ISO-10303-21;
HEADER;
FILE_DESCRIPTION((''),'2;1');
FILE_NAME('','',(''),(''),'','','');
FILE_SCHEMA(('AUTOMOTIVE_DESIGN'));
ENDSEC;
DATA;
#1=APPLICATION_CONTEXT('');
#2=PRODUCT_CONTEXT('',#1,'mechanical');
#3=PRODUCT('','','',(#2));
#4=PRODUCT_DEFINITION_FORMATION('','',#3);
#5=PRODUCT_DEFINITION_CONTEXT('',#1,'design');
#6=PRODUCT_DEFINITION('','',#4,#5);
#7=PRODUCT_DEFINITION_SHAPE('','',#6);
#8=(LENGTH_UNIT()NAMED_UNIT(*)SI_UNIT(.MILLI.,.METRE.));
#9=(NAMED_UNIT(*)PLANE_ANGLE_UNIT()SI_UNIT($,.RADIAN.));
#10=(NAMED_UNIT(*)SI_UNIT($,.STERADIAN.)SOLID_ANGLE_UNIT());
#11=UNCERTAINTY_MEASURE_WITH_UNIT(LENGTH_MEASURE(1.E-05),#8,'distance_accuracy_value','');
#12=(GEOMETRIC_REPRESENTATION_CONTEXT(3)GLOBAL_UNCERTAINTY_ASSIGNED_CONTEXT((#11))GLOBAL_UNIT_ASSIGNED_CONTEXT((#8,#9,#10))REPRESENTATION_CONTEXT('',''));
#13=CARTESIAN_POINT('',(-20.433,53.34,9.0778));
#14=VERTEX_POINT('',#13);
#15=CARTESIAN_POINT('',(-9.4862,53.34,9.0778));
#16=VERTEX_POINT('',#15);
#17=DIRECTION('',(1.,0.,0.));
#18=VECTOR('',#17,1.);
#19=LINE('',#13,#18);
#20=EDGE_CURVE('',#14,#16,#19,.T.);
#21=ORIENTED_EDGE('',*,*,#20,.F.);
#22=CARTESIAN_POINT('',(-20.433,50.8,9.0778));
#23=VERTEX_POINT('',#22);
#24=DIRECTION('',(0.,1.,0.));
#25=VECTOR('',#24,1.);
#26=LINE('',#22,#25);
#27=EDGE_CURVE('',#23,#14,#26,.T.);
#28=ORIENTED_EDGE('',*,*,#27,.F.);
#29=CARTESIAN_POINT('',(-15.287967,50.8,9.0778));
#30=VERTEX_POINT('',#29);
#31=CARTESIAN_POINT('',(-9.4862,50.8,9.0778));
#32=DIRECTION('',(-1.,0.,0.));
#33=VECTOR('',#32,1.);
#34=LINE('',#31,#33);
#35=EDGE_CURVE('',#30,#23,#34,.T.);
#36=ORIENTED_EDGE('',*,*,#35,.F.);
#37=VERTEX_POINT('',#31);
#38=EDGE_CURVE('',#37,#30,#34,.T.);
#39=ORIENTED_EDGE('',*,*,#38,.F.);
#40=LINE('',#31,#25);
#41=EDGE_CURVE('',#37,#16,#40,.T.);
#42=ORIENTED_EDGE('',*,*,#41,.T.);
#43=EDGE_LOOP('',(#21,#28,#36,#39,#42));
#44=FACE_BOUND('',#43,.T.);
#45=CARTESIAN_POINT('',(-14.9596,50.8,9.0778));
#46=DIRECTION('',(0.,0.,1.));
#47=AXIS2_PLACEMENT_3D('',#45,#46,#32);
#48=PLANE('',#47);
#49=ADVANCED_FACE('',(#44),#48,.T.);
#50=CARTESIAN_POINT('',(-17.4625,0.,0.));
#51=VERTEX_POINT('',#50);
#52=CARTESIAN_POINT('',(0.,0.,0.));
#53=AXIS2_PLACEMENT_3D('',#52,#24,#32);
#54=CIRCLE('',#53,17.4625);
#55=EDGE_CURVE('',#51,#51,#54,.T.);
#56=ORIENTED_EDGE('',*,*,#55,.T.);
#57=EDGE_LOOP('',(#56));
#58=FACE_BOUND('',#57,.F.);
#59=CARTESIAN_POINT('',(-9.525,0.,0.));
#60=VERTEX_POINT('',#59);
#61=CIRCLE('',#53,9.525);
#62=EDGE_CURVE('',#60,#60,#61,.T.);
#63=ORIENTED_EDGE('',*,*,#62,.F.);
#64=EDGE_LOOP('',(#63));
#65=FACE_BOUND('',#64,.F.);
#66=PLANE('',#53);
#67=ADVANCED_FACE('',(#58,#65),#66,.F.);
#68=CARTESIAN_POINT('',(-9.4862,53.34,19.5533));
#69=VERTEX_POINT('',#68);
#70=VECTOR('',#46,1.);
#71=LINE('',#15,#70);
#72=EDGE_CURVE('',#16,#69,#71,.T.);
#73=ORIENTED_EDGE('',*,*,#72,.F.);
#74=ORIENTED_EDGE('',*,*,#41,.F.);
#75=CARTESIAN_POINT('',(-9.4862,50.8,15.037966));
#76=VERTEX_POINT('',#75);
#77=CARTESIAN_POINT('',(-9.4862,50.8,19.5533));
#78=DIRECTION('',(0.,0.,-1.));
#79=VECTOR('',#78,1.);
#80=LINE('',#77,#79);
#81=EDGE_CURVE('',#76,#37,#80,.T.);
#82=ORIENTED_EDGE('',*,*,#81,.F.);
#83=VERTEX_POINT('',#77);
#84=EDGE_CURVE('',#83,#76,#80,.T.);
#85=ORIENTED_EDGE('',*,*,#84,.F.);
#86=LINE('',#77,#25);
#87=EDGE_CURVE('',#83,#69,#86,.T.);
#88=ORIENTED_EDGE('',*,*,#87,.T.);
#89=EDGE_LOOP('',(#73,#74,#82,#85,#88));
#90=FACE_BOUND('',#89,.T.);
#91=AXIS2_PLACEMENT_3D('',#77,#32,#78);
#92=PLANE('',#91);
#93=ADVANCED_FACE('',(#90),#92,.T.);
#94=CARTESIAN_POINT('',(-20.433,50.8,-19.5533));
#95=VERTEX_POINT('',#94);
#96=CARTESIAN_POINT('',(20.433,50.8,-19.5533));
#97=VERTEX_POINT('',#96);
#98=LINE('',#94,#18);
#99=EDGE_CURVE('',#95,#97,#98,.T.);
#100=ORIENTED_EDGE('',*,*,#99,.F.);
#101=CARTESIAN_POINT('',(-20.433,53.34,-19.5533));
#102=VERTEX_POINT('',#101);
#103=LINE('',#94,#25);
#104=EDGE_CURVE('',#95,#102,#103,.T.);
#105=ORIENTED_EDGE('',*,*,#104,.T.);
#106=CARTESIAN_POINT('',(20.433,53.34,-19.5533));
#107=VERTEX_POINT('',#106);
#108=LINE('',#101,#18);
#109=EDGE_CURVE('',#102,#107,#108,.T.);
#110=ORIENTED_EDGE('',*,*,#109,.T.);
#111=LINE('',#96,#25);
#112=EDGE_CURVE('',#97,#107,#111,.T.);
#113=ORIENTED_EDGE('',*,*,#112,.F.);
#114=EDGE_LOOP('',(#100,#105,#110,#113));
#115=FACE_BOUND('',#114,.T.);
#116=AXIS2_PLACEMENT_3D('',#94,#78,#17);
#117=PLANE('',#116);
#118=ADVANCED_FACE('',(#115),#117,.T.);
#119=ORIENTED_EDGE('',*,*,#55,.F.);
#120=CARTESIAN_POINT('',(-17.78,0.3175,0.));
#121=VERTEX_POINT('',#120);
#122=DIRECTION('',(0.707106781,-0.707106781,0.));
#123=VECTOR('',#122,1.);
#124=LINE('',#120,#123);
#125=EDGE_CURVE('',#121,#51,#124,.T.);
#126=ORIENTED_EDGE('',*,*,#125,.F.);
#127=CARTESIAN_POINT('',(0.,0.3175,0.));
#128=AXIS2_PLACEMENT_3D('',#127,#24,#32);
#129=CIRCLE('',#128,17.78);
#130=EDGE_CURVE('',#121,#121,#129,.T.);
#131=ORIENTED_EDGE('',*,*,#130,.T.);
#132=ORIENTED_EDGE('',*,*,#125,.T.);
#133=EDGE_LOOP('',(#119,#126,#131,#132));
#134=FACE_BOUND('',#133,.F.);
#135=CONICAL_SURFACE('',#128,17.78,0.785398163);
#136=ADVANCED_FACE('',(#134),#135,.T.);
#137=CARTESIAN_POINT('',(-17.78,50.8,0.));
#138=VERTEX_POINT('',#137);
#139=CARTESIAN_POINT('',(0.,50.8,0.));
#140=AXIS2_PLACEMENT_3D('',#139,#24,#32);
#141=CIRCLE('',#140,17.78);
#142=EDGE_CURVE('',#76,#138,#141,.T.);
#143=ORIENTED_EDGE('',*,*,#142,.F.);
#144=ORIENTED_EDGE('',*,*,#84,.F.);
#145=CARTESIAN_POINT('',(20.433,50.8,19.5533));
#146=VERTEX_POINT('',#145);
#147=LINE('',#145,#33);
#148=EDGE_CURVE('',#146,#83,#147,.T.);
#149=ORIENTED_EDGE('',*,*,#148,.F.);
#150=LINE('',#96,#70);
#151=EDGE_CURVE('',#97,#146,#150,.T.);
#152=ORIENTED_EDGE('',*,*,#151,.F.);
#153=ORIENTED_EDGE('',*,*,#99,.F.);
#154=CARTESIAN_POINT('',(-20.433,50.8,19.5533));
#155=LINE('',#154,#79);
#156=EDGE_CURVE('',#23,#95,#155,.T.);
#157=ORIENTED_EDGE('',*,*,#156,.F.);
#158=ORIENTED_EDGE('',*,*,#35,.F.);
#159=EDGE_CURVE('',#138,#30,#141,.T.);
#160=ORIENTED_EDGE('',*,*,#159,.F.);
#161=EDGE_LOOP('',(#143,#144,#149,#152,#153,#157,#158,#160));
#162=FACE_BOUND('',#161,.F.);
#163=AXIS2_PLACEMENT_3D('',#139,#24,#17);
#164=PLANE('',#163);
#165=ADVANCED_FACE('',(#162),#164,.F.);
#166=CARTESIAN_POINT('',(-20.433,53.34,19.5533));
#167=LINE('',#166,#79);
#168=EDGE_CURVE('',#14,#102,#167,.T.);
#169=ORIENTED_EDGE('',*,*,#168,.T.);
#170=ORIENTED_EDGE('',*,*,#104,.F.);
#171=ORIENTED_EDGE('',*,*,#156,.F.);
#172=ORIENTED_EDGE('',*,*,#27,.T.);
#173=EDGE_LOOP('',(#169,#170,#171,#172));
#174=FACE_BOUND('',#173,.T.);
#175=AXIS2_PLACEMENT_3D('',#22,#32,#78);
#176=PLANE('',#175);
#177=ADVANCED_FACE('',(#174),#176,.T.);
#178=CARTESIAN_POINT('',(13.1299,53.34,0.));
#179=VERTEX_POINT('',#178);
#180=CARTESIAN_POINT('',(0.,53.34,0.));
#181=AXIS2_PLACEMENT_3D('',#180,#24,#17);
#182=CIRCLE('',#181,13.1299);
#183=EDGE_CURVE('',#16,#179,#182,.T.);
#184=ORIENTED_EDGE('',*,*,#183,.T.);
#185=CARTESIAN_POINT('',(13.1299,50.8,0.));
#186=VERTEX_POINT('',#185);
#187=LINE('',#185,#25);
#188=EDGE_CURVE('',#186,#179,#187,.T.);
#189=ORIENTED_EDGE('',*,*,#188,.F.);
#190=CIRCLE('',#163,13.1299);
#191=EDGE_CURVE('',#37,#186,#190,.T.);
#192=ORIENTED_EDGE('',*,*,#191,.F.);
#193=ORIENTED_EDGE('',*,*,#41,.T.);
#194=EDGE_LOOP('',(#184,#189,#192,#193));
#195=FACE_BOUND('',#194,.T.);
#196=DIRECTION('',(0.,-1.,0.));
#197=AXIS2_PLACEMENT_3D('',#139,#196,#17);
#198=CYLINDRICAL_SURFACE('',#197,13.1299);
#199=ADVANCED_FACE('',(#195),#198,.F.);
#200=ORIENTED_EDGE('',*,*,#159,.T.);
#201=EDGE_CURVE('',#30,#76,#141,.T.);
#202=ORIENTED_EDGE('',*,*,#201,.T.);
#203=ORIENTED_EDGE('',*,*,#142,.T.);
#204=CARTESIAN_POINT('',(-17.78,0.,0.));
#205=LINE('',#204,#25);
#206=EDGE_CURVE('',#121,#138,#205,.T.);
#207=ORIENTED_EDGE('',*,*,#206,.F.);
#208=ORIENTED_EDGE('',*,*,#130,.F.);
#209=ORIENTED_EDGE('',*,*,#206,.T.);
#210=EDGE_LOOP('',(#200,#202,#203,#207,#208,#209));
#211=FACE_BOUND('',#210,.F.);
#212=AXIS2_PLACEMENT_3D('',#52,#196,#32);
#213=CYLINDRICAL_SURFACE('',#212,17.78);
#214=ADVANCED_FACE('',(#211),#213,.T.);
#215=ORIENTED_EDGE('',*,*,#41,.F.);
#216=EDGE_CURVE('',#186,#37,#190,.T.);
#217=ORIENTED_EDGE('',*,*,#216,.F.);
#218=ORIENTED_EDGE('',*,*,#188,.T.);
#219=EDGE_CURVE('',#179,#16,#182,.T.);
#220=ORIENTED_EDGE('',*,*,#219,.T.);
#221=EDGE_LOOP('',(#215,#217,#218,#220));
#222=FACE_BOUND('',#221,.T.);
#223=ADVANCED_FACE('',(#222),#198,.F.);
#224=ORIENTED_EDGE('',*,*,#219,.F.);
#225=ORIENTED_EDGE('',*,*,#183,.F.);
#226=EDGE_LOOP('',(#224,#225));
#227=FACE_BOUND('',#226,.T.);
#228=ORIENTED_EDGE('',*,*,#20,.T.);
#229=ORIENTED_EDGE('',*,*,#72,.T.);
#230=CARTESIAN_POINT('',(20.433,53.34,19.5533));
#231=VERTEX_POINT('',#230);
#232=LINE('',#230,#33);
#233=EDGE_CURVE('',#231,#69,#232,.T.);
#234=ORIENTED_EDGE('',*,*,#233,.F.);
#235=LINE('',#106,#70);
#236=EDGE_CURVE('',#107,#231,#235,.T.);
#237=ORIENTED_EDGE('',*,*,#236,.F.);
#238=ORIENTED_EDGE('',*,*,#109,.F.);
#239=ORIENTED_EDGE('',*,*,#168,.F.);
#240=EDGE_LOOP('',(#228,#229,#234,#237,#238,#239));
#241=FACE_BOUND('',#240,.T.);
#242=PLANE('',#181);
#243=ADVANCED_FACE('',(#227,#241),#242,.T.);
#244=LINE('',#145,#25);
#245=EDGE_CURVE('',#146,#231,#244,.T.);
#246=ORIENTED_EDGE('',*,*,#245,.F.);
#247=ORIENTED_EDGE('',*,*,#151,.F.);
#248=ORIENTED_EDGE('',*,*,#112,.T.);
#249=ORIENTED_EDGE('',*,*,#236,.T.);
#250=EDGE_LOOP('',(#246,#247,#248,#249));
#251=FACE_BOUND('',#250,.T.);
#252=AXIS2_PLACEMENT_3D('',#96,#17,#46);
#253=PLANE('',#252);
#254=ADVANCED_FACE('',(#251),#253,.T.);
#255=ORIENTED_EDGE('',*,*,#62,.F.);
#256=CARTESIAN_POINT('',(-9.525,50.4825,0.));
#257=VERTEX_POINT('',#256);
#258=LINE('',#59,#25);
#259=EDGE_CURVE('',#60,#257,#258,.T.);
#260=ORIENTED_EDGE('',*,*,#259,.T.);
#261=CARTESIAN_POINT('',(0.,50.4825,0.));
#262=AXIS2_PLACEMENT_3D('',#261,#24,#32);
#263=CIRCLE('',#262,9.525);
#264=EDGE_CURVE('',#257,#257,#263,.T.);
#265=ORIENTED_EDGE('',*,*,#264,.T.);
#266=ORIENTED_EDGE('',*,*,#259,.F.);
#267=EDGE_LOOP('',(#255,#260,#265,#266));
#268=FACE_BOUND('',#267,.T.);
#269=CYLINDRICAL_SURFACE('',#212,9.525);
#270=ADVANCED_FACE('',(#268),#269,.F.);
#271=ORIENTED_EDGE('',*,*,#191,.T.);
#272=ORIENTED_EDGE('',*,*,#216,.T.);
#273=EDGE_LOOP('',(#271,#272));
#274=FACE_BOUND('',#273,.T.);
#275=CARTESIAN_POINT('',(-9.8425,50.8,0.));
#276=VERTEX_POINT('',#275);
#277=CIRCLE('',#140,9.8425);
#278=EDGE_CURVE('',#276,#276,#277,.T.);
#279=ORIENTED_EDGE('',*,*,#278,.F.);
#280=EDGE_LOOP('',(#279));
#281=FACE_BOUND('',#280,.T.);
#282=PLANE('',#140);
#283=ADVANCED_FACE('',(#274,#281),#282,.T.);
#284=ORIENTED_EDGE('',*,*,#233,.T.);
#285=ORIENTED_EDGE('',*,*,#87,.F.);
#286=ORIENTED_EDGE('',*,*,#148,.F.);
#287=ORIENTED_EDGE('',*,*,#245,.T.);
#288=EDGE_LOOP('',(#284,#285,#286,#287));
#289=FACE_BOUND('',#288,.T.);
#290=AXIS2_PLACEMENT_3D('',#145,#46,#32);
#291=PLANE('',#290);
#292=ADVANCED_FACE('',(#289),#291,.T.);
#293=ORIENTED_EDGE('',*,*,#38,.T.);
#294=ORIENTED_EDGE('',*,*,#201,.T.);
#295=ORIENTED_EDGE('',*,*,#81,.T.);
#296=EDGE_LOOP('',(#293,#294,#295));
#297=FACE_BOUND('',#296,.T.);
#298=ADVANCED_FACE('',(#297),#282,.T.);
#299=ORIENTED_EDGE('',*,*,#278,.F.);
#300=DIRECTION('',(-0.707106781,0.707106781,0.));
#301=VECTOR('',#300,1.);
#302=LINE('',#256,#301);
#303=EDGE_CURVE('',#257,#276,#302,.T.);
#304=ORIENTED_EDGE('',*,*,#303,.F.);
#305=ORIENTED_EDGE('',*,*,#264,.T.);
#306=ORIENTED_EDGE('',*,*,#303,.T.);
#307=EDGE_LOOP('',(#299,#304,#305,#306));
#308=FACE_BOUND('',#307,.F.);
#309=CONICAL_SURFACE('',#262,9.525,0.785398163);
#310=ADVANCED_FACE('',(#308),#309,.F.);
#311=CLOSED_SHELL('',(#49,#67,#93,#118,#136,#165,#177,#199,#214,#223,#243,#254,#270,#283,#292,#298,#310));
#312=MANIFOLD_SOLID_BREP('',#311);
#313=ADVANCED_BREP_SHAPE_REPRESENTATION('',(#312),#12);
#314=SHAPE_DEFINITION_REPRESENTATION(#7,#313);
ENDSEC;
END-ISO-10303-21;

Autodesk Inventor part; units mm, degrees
ref_plane "YZ Plane" through (0, 0, 0) normal (1, 0, 0) x (0, 1, 0)
ref_plane "XZ Plane" through (0, 0, 0) normal (0, 1, 0) x (-1, 0, 0)
ref_plane "XY Plane" through (0, 0, 0) normal (0, 0, 1) x (1, 0, 0)
sketch "Sketch1" plane through (0, 0, 0) normal (0, 1, 0) x (-1, 0, 0)
  point P0 (0, 0)
sketch "Sketch2" plane through (0, 0, 0) normal (0, 1, 0) x (-1, 0, 0)
  circle A0 centre (0, 0) radius 17.78
  circle A1 centre (0, 0) radius 9.525
  dimension "d0" = 35.56
  dimension "d1" = 19.05
extrude "Extrusion1" add sketch "Sketch2" along normal blind 50.8
chamfer "Chamfer1" distance 0.3175 angle 45 2 edges at (9.525, 50.8, 0) (17.78, 0, 0)
sketch "Sketch3" plane through (0, 50.8, 0) normal (0, 1, 0) x (1, 0, 0)
  line L0 (-20.433, 19.5533) -> (20.433, 19.5533)
  line L1 (20.433, 19.5533) -> (20.433, -19.5533)
  line L2 (20.433, -19.5533) -> (-20.433, -19.5533)
  line L3 (-20.433, -19.5533) -> (-20.433, 19.5533)
  line L4 (-20.433, 19.5533) -> (20.433, -19.5533) construction
  line L5 (20.433, 19.5533) -> (-20.433, -19.5533) construction
  line L6 (-14.9596, 14.3155) -> (14.9596, 14.3155)
  line L7 (14.9596, 14.3155) -> (14.9596, -14.3155)
  line L8 (14.9596, -14.3155) -> (-14.9596, -14.3155)
  line L9 (-14.9596, -14.3155) -> (-14.9596, 14.3155)
  line L10 (-14.9596, 14.3155) -> (14.9596, -14.3155) construction
  line L11 (14.9596, 14.3155) -> (-14.9596, -14.3155) construction
  line L12 (-9.4862, -9.0778) -> (-20.433, -9.0778)
  line L13 (-20.433, -9.0778) -> (-20.433, -19.5533)
  line L14 (-20.433, -19.5533) -> (-9.4862, -19.5533)
  line L15 (-9.4862, -19.5533) -> (-9.4862, -9.0778)
  line L16 (-9.4862, -9.0778) -> (-20.433, -19.5533) construction
  line L17 (-20.433, -9.0778) -> (-9.4862, -19.5533) construction
  circle A0 centre (0, 0) radius 13.1299
extrude "Extrusion2" add sketch "Sketch3" along normal blind 2.54 contours L0 L1 L2 L15 L8 L7 L6 L9 L12 L3 | L9 L6 L7 L8 L15 L12
properties part number "Wheel Washer"
